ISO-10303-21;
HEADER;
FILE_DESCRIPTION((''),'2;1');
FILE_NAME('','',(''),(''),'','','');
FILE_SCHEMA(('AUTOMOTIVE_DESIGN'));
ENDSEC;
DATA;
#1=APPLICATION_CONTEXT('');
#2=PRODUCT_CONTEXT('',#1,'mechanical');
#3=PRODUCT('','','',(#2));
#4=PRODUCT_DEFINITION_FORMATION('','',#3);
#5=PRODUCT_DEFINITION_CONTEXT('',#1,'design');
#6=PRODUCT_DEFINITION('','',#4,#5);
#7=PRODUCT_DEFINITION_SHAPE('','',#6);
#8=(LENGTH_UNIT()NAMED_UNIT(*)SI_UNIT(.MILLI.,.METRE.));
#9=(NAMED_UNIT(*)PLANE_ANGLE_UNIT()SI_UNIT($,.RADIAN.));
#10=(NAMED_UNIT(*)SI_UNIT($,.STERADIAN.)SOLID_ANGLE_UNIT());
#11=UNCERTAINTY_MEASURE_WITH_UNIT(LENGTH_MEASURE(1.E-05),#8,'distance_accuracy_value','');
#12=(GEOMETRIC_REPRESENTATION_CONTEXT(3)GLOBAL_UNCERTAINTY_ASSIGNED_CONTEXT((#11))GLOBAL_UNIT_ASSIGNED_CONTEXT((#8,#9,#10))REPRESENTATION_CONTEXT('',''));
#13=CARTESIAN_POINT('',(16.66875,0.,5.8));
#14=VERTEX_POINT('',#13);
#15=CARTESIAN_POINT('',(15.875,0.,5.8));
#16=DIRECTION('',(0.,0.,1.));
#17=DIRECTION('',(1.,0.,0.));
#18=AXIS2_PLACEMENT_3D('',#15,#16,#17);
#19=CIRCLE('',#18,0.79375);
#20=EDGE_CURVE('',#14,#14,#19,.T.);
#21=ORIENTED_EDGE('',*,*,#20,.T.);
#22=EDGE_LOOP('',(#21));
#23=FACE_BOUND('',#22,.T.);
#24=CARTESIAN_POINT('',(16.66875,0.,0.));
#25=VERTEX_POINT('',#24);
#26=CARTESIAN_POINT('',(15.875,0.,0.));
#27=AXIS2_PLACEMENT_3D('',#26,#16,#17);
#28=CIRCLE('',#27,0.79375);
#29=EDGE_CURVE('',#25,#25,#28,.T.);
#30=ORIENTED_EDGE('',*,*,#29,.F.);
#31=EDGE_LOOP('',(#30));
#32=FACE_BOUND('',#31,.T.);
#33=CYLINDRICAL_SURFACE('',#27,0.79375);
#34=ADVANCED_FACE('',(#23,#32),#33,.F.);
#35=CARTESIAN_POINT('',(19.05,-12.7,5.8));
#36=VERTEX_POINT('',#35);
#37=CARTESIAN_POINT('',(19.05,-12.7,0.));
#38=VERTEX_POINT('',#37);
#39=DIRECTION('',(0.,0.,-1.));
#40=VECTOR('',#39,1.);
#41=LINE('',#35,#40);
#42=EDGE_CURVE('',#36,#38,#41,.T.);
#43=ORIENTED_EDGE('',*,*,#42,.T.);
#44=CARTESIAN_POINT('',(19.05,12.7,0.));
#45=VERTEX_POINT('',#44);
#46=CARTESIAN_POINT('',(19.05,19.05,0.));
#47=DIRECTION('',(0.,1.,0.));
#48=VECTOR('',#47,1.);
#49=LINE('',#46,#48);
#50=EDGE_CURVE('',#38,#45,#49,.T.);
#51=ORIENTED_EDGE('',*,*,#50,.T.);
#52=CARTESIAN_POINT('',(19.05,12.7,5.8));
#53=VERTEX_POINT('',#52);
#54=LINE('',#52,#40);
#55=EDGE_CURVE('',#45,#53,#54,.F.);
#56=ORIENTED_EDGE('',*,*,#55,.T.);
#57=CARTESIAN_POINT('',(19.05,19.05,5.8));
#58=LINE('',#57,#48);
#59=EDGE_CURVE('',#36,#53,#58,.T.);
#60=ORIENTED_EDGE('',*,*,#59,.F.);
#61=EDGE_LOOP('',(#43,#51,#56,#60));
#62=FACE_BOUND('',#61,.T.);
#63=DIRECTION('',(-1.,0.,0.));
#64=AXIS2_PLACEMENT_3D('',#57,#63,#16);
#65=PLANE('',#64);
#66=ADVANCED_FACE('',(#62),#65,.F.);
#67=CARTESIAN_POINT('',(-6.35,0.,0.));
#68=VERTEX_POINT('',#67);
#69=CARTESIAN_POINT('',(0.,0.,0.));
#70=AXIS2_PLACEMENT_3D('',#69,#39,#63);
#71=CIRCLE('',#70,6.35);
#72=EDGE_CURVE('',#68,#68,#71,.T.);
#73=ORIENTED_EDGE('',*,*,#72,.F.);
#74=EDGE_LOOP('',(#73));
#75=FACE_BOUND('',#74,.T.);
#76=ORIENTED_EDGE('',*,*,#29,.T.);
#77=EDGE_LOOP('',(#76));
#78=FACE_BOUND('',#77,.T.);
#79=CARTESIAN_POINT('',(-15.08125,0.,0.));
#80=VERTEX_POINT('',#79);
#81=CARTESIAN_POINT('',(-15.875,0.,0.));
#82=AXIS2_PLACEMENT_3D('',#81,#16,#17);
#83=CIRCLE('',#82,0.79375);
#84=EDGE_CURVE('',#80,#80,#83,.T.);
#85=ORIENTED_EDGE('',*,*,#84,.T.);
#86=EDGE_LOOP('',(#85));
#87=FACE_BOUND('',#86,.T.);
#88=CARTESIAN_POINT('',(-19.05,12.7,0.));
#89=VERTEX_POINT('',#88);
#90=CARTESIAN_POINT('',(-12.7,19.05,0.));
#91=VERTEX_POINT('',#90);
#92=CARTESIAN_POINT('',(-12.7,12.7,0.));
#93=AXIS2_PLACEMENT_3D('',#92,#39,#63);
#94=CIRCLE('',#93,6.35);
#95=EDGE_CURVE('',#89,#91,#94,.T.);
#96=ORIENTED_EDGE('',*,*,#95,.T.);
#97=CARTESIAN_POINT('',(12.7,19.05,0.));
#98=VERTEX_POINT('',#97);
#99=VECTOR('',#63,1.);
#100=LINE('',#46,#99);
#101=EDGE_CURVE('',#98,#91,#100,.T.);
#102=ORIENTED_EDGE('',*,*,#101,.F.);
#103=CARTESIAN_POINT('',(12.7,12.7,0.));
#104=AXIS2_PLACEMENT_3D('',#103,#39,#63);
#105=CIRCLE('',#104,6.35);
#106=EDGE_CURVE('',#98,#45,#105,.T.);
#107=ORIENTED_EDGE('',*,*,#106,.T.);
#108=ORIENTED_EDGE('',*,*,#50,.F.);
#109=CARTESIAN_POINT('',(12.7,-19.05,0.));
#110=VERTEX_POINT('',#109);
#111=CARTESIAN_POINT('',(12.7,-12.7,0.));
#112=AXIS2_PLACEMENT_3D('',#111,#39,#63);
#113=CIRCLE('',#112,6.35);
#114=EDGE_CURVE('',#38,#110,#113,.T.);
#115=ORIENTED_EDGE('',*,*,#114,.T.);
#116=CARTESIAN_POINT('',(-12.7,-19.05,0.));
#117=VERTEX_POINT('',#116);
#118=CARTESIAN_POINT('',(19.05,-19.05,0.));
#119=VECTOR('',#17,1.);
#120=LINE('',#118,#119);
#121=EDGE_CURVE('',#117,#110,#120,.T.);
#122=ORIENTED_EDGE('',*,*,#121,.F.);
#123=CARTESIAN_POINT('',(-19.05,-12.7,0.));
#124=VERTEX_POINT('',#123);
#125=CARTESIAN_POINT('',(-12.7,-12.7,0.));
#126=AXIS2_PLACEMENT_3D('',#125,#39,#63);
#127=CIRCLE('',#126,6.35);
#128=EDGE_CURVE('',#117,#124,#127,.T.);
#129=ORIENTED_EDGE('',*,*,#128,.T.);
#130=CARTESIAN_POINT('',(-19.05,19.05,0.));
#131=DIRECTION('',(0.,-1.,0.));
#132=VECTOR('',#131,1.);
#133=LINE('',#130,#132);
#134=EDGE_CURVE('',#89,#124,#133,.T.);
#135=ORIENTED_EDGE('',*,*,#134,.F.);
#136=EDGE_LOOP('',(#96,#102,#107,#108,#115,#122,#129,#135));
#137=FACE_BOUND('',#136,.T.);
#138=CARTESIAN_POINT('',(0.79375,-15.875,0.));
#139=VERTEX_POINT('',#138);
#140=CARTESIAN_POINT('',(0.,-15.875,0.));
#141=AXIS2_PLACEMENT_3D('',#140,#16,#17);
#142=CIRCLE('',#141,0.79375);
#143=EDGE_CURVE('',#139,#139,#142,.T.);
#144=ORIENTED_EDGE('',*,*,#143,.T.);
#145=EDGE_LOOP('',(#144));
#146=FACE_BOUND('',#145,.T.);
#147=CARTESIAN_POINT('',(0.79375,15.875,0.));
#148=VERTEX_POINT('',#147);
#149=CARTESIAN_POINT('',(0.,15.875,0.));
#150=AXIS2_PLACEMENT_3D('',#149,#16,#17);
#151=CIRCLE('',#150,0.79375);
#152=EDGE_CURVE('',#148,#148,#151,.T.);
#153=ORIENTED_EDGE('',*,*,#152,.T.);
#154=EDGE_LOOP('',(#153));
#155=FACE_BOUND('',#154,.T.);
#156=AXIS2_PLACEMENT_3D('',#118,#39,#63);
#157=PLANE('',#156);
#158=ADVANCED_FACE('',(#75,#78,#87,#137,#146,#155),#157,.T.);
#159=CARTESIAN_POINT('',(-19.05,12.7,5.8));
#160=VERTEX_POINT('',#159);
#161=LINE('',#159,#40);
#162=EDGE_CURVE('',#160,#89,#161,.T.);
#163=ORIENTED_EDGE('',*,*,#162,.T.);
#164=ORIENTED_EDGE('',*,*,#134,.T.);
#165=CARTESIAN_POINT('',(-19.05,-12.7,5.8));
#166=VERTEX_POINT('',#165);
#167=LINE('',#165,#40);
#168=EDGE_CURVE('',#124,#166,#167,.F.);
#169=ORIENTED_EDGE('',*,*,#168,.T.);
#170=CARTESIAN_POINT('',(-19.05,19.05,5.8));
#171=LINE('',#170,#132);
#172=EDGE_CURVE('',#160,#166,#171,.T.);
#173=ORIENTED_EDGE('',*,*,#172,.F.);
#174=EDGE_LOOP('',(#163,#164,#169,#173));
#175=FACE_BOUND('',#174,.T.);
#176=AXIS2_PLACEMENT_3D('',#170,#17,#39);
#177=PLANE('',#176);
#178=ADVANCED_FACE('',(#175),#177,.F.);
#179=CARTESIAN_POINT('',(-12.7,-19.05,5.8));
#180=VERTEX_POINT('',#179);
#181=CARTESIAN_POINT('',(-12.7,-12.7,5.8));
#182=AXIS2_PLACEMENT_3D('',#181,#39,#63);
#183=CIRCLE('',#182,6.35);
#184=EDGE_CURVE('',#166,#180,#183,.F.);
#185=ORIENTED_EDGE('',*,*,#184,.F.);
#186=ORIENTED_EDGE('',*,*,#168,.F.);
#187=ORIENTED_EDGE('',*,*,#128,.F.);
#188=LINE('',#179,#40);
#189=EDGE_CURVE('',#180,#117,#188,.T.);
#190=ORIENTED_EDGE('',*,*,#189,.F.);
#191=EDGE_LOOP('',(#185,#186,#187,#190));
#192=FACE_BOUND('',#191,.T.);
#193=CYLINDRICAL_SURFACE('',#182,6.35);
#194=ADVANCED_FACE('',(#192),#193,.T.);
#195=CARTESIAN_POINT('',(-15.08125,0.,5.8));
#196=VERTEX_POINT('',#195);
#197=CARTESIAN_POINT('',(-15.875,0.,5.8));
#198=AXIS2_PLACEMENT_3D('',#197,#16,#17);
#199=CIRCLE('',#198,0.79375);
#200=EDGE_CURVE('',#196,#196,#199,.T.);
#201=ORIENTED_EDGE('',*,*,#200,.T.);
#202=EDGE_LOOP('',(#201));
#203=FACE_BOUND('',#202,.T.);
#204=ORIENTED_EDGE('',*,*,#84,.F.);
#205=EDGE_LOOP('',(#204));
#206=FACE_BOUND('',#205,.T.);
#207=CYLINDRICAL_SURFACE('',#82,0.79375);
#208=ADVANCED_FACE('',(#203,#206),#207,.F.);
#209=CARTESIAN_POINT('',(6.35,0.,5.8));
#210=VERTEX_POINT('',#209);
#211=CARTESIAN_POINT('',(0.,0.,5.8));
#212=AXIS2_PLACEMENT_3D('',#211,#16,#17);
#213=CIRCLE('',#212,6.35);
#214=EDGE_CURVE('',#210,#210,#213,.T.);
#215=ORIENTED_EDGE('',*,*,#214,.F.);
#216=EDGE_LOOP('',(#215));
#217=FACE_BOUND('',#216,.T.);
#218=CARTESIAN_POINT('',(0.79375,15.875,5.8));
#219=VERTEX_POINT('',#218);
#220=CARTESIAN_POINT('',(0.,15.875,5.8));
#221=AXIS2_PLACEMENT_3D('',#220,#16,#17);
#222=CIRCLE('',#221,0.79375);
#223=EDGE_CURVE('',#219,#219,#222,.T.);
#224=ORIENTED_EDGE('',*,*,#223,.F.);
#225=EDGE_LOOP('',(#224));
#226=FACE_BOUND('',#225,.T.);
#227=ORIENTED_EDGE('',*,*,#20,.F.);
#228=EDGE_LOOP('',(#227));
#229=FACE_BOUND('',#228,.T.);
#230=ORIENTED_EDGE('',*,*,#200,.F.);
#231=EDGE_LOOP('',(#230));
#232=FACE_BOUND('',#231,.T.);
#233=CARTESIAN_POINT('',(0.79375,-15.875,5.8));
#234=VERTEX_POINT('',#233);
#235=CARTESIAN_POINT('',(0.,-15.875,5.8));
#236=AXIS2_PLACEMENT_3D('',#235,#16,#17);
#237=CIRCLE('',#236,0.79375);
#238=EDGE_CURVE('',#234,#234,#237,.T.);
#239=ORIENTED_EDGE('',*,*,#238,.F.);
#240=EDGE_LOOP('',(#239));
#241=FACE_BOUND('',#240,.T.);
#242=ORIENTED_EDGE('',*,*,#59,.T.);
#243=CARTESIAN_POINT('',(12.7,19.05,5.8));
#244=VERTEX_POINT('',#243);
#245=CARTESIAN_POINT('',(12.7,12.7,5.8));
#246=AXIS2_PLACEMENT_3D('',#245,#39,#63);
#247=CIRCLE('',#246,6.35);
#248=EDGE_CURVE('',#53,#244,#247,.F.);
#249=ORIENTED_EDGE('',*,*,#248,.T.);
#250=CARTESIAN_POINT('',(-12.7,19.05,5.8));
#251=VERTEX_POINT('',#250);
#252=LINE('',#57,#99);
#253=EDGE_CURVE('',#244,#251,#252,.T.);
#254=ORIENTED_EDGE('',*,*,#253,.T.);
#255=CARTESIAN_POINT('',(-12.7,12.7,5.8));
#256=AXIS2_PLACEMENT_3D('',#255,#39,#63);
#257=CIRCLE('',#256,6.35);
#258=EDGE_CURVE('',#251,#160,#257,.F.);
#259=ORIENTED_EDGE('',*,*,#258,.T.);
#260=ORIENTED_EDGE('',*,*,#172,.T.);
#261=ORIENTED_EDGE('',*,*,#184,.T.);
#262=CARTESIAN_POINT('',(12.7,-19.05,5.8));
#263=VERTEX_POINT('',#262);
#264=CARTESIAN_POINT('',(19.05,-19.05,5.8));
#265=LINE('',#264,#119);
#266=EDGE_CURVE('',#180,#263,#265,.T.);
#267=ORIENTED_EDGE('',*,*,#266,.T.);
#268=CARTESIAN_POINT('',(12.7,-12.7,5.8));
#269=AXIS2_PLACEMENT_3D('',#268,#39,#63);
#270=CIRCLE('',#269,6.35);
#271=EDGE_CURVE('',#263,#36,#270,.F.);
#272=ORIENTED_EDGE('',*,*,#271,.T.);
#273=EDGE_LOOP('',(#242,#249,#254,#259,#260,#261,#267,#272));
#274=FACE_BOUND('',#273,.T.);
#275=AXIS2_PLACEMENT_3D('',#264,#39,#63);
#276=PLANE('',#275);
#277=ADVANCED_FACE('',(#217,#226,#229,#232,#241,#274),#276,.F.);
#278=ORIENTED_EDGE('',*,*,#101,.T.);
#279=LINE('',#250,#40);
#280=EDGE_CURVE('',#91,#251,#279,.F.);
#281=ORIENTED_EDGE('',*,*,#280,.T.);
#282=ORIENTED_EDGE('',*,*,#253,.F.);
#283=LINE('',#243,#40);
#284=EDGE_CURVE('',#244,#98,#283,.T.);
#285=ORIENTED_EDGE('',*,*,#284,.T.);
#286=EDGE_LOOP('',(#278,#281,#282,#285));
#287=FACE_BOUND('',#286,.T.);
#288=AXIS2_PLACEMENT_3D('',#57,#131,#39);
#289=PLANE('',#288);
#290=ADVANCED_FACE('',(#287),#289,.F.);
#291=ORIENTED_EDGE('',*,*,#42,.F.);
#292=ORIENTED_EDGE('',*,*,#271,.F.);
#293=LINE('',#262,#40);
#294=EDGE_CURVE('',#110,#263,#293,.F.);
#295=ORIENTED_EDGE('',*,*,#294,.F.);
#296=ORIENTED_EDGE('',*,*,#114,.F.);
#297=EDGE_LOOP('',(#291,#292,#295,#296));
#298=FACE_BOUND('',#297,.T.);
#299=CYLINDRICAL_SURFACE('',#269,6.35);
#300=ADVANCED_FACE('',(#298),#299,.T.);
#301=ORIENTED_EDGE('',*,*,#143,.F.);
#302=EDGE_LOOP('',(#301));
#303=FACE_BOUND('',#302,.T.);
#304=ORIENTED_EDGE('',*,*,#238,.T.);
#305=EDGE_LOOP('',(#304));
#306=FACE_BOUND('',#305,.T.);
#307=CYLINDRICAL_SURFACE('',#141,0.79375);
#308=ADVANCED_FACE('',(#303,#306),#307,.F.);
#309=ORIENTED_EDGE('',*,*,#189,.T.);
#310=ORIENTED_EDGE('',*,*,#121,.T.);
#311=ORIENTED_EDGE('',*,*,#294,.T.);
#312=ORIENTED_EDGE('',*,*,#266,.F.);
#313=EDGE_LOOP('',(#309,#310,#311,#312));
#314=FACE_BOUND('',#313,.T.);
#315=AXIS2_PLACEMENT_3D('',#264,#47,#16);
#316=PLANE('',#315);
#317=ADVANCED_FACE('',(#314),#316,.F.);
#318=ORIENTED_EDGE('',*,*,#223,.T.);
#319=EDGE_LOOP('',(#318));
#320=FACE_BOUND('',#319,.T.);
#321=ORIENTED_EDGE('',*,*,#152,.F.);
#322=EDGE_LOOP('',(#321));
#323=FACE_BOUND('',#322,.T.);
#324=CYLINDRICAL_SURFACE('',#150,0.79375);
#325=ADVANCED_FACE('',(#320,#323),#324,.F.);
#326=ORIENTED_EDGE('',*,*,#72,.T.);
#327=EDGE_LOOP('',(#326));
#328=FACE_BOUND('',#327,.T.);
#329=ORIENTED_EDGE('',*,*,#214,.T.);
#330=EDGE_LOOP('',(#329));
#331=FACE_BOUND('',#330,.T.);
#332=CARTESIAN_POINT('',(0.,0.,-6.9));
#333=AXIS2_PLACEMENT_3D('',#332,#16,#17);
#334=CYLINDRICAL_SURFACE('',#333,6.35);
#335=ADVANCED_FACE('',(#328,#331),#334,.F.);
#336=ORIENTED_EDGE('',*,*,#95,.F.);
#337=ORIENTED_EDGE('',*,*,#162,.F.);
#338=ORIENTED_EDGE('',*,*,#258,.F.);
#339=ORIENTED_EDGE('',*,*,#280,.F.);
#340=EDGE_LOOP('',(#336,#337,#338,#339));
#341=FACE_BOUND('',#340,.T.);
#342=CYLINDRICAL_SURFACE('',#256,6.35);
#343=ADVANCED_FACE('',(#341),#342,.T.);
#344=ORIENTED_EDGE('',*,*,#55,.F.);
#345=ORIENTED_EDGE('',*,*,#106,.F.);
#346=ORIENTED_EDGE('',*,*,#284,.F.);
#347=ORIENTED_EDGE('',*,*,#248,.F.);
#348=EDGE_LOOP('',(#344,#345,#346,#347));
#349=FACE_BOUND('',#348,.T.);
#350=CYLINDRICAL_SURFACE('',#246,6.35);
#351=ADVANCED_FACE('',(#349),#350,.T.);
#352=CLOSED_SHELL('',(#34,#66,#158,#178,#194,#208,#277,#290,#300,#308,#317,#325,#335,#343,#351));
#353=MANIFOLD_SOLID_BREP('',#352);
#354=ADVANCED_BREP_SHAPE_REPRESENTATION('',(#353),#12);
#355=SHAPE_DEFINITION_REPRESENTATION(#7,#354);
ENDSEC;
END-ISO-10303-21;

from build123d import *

# Parameters (mm, degrees)
SKETCH1_W           = 38.1
SKETCH1_H           = 38.1
BOSS_EXTRUDE1_DEPTH = 5.8
SKETCH2_R           = 0.79375
CUT_EXTRUDE1_DEPTH  = 28.558029683
SKETCH3_R           = 6.35
CUT_EXTRUDE2_DEPTH  = 12.7
FILLET1_R           = 6.35


with BuildPart() as part:
    # Sketch1 → Boss-Extrude1 (new body)
    with BuildSketch(Plane.XY):
        Rectangle(SKETCH1_W, SKETCH1_H)
    extrude(amount=BOSS_EXTRUDE1_DEPTH)

    # Sketch2 → Cut-Extrude1 (cut, through all)
    with BuildSketch(Plane.XY.offset(5.8)):
        with Locations((0, 15.875)):
            Circle(SKETCH2_R)
        with Locations((15.875, 0)):
            Circle(SKETCH2_R)
        with Locations((0, -15.875)):
            Circle(SKETCH2_R)
        with Locations((-15.875, 0)):
            Circle(SKETCH2_R)
    extrude(amount=-CUT_EXTRUDE1_DEPTH, mode=Mode.SUBTRACT)

    # Sketch3 → Cut-Extrude2 (cut)
    with BuildSketch(Plane.XY.offset(5.8)):
        Circle(SKETCH3_R)
    extrude(amount=-CUT_EXTRUDE2_DEPTH, mode=Mode.SUBTRACT)

    # Fillet1
    fillet1_edges = [part.edges().sort_by_distance(p)[0] for p in [
        (19.05, -19.05, 2.9),
        (-19.05, -19.05, 2.9),
        (-19.05, 19.05, 2.9),
        (19.05, 19.05, 2.9),
    ]]
    fillet(fillet1_edges, radius=FILLET1_R)


solid = part.part
